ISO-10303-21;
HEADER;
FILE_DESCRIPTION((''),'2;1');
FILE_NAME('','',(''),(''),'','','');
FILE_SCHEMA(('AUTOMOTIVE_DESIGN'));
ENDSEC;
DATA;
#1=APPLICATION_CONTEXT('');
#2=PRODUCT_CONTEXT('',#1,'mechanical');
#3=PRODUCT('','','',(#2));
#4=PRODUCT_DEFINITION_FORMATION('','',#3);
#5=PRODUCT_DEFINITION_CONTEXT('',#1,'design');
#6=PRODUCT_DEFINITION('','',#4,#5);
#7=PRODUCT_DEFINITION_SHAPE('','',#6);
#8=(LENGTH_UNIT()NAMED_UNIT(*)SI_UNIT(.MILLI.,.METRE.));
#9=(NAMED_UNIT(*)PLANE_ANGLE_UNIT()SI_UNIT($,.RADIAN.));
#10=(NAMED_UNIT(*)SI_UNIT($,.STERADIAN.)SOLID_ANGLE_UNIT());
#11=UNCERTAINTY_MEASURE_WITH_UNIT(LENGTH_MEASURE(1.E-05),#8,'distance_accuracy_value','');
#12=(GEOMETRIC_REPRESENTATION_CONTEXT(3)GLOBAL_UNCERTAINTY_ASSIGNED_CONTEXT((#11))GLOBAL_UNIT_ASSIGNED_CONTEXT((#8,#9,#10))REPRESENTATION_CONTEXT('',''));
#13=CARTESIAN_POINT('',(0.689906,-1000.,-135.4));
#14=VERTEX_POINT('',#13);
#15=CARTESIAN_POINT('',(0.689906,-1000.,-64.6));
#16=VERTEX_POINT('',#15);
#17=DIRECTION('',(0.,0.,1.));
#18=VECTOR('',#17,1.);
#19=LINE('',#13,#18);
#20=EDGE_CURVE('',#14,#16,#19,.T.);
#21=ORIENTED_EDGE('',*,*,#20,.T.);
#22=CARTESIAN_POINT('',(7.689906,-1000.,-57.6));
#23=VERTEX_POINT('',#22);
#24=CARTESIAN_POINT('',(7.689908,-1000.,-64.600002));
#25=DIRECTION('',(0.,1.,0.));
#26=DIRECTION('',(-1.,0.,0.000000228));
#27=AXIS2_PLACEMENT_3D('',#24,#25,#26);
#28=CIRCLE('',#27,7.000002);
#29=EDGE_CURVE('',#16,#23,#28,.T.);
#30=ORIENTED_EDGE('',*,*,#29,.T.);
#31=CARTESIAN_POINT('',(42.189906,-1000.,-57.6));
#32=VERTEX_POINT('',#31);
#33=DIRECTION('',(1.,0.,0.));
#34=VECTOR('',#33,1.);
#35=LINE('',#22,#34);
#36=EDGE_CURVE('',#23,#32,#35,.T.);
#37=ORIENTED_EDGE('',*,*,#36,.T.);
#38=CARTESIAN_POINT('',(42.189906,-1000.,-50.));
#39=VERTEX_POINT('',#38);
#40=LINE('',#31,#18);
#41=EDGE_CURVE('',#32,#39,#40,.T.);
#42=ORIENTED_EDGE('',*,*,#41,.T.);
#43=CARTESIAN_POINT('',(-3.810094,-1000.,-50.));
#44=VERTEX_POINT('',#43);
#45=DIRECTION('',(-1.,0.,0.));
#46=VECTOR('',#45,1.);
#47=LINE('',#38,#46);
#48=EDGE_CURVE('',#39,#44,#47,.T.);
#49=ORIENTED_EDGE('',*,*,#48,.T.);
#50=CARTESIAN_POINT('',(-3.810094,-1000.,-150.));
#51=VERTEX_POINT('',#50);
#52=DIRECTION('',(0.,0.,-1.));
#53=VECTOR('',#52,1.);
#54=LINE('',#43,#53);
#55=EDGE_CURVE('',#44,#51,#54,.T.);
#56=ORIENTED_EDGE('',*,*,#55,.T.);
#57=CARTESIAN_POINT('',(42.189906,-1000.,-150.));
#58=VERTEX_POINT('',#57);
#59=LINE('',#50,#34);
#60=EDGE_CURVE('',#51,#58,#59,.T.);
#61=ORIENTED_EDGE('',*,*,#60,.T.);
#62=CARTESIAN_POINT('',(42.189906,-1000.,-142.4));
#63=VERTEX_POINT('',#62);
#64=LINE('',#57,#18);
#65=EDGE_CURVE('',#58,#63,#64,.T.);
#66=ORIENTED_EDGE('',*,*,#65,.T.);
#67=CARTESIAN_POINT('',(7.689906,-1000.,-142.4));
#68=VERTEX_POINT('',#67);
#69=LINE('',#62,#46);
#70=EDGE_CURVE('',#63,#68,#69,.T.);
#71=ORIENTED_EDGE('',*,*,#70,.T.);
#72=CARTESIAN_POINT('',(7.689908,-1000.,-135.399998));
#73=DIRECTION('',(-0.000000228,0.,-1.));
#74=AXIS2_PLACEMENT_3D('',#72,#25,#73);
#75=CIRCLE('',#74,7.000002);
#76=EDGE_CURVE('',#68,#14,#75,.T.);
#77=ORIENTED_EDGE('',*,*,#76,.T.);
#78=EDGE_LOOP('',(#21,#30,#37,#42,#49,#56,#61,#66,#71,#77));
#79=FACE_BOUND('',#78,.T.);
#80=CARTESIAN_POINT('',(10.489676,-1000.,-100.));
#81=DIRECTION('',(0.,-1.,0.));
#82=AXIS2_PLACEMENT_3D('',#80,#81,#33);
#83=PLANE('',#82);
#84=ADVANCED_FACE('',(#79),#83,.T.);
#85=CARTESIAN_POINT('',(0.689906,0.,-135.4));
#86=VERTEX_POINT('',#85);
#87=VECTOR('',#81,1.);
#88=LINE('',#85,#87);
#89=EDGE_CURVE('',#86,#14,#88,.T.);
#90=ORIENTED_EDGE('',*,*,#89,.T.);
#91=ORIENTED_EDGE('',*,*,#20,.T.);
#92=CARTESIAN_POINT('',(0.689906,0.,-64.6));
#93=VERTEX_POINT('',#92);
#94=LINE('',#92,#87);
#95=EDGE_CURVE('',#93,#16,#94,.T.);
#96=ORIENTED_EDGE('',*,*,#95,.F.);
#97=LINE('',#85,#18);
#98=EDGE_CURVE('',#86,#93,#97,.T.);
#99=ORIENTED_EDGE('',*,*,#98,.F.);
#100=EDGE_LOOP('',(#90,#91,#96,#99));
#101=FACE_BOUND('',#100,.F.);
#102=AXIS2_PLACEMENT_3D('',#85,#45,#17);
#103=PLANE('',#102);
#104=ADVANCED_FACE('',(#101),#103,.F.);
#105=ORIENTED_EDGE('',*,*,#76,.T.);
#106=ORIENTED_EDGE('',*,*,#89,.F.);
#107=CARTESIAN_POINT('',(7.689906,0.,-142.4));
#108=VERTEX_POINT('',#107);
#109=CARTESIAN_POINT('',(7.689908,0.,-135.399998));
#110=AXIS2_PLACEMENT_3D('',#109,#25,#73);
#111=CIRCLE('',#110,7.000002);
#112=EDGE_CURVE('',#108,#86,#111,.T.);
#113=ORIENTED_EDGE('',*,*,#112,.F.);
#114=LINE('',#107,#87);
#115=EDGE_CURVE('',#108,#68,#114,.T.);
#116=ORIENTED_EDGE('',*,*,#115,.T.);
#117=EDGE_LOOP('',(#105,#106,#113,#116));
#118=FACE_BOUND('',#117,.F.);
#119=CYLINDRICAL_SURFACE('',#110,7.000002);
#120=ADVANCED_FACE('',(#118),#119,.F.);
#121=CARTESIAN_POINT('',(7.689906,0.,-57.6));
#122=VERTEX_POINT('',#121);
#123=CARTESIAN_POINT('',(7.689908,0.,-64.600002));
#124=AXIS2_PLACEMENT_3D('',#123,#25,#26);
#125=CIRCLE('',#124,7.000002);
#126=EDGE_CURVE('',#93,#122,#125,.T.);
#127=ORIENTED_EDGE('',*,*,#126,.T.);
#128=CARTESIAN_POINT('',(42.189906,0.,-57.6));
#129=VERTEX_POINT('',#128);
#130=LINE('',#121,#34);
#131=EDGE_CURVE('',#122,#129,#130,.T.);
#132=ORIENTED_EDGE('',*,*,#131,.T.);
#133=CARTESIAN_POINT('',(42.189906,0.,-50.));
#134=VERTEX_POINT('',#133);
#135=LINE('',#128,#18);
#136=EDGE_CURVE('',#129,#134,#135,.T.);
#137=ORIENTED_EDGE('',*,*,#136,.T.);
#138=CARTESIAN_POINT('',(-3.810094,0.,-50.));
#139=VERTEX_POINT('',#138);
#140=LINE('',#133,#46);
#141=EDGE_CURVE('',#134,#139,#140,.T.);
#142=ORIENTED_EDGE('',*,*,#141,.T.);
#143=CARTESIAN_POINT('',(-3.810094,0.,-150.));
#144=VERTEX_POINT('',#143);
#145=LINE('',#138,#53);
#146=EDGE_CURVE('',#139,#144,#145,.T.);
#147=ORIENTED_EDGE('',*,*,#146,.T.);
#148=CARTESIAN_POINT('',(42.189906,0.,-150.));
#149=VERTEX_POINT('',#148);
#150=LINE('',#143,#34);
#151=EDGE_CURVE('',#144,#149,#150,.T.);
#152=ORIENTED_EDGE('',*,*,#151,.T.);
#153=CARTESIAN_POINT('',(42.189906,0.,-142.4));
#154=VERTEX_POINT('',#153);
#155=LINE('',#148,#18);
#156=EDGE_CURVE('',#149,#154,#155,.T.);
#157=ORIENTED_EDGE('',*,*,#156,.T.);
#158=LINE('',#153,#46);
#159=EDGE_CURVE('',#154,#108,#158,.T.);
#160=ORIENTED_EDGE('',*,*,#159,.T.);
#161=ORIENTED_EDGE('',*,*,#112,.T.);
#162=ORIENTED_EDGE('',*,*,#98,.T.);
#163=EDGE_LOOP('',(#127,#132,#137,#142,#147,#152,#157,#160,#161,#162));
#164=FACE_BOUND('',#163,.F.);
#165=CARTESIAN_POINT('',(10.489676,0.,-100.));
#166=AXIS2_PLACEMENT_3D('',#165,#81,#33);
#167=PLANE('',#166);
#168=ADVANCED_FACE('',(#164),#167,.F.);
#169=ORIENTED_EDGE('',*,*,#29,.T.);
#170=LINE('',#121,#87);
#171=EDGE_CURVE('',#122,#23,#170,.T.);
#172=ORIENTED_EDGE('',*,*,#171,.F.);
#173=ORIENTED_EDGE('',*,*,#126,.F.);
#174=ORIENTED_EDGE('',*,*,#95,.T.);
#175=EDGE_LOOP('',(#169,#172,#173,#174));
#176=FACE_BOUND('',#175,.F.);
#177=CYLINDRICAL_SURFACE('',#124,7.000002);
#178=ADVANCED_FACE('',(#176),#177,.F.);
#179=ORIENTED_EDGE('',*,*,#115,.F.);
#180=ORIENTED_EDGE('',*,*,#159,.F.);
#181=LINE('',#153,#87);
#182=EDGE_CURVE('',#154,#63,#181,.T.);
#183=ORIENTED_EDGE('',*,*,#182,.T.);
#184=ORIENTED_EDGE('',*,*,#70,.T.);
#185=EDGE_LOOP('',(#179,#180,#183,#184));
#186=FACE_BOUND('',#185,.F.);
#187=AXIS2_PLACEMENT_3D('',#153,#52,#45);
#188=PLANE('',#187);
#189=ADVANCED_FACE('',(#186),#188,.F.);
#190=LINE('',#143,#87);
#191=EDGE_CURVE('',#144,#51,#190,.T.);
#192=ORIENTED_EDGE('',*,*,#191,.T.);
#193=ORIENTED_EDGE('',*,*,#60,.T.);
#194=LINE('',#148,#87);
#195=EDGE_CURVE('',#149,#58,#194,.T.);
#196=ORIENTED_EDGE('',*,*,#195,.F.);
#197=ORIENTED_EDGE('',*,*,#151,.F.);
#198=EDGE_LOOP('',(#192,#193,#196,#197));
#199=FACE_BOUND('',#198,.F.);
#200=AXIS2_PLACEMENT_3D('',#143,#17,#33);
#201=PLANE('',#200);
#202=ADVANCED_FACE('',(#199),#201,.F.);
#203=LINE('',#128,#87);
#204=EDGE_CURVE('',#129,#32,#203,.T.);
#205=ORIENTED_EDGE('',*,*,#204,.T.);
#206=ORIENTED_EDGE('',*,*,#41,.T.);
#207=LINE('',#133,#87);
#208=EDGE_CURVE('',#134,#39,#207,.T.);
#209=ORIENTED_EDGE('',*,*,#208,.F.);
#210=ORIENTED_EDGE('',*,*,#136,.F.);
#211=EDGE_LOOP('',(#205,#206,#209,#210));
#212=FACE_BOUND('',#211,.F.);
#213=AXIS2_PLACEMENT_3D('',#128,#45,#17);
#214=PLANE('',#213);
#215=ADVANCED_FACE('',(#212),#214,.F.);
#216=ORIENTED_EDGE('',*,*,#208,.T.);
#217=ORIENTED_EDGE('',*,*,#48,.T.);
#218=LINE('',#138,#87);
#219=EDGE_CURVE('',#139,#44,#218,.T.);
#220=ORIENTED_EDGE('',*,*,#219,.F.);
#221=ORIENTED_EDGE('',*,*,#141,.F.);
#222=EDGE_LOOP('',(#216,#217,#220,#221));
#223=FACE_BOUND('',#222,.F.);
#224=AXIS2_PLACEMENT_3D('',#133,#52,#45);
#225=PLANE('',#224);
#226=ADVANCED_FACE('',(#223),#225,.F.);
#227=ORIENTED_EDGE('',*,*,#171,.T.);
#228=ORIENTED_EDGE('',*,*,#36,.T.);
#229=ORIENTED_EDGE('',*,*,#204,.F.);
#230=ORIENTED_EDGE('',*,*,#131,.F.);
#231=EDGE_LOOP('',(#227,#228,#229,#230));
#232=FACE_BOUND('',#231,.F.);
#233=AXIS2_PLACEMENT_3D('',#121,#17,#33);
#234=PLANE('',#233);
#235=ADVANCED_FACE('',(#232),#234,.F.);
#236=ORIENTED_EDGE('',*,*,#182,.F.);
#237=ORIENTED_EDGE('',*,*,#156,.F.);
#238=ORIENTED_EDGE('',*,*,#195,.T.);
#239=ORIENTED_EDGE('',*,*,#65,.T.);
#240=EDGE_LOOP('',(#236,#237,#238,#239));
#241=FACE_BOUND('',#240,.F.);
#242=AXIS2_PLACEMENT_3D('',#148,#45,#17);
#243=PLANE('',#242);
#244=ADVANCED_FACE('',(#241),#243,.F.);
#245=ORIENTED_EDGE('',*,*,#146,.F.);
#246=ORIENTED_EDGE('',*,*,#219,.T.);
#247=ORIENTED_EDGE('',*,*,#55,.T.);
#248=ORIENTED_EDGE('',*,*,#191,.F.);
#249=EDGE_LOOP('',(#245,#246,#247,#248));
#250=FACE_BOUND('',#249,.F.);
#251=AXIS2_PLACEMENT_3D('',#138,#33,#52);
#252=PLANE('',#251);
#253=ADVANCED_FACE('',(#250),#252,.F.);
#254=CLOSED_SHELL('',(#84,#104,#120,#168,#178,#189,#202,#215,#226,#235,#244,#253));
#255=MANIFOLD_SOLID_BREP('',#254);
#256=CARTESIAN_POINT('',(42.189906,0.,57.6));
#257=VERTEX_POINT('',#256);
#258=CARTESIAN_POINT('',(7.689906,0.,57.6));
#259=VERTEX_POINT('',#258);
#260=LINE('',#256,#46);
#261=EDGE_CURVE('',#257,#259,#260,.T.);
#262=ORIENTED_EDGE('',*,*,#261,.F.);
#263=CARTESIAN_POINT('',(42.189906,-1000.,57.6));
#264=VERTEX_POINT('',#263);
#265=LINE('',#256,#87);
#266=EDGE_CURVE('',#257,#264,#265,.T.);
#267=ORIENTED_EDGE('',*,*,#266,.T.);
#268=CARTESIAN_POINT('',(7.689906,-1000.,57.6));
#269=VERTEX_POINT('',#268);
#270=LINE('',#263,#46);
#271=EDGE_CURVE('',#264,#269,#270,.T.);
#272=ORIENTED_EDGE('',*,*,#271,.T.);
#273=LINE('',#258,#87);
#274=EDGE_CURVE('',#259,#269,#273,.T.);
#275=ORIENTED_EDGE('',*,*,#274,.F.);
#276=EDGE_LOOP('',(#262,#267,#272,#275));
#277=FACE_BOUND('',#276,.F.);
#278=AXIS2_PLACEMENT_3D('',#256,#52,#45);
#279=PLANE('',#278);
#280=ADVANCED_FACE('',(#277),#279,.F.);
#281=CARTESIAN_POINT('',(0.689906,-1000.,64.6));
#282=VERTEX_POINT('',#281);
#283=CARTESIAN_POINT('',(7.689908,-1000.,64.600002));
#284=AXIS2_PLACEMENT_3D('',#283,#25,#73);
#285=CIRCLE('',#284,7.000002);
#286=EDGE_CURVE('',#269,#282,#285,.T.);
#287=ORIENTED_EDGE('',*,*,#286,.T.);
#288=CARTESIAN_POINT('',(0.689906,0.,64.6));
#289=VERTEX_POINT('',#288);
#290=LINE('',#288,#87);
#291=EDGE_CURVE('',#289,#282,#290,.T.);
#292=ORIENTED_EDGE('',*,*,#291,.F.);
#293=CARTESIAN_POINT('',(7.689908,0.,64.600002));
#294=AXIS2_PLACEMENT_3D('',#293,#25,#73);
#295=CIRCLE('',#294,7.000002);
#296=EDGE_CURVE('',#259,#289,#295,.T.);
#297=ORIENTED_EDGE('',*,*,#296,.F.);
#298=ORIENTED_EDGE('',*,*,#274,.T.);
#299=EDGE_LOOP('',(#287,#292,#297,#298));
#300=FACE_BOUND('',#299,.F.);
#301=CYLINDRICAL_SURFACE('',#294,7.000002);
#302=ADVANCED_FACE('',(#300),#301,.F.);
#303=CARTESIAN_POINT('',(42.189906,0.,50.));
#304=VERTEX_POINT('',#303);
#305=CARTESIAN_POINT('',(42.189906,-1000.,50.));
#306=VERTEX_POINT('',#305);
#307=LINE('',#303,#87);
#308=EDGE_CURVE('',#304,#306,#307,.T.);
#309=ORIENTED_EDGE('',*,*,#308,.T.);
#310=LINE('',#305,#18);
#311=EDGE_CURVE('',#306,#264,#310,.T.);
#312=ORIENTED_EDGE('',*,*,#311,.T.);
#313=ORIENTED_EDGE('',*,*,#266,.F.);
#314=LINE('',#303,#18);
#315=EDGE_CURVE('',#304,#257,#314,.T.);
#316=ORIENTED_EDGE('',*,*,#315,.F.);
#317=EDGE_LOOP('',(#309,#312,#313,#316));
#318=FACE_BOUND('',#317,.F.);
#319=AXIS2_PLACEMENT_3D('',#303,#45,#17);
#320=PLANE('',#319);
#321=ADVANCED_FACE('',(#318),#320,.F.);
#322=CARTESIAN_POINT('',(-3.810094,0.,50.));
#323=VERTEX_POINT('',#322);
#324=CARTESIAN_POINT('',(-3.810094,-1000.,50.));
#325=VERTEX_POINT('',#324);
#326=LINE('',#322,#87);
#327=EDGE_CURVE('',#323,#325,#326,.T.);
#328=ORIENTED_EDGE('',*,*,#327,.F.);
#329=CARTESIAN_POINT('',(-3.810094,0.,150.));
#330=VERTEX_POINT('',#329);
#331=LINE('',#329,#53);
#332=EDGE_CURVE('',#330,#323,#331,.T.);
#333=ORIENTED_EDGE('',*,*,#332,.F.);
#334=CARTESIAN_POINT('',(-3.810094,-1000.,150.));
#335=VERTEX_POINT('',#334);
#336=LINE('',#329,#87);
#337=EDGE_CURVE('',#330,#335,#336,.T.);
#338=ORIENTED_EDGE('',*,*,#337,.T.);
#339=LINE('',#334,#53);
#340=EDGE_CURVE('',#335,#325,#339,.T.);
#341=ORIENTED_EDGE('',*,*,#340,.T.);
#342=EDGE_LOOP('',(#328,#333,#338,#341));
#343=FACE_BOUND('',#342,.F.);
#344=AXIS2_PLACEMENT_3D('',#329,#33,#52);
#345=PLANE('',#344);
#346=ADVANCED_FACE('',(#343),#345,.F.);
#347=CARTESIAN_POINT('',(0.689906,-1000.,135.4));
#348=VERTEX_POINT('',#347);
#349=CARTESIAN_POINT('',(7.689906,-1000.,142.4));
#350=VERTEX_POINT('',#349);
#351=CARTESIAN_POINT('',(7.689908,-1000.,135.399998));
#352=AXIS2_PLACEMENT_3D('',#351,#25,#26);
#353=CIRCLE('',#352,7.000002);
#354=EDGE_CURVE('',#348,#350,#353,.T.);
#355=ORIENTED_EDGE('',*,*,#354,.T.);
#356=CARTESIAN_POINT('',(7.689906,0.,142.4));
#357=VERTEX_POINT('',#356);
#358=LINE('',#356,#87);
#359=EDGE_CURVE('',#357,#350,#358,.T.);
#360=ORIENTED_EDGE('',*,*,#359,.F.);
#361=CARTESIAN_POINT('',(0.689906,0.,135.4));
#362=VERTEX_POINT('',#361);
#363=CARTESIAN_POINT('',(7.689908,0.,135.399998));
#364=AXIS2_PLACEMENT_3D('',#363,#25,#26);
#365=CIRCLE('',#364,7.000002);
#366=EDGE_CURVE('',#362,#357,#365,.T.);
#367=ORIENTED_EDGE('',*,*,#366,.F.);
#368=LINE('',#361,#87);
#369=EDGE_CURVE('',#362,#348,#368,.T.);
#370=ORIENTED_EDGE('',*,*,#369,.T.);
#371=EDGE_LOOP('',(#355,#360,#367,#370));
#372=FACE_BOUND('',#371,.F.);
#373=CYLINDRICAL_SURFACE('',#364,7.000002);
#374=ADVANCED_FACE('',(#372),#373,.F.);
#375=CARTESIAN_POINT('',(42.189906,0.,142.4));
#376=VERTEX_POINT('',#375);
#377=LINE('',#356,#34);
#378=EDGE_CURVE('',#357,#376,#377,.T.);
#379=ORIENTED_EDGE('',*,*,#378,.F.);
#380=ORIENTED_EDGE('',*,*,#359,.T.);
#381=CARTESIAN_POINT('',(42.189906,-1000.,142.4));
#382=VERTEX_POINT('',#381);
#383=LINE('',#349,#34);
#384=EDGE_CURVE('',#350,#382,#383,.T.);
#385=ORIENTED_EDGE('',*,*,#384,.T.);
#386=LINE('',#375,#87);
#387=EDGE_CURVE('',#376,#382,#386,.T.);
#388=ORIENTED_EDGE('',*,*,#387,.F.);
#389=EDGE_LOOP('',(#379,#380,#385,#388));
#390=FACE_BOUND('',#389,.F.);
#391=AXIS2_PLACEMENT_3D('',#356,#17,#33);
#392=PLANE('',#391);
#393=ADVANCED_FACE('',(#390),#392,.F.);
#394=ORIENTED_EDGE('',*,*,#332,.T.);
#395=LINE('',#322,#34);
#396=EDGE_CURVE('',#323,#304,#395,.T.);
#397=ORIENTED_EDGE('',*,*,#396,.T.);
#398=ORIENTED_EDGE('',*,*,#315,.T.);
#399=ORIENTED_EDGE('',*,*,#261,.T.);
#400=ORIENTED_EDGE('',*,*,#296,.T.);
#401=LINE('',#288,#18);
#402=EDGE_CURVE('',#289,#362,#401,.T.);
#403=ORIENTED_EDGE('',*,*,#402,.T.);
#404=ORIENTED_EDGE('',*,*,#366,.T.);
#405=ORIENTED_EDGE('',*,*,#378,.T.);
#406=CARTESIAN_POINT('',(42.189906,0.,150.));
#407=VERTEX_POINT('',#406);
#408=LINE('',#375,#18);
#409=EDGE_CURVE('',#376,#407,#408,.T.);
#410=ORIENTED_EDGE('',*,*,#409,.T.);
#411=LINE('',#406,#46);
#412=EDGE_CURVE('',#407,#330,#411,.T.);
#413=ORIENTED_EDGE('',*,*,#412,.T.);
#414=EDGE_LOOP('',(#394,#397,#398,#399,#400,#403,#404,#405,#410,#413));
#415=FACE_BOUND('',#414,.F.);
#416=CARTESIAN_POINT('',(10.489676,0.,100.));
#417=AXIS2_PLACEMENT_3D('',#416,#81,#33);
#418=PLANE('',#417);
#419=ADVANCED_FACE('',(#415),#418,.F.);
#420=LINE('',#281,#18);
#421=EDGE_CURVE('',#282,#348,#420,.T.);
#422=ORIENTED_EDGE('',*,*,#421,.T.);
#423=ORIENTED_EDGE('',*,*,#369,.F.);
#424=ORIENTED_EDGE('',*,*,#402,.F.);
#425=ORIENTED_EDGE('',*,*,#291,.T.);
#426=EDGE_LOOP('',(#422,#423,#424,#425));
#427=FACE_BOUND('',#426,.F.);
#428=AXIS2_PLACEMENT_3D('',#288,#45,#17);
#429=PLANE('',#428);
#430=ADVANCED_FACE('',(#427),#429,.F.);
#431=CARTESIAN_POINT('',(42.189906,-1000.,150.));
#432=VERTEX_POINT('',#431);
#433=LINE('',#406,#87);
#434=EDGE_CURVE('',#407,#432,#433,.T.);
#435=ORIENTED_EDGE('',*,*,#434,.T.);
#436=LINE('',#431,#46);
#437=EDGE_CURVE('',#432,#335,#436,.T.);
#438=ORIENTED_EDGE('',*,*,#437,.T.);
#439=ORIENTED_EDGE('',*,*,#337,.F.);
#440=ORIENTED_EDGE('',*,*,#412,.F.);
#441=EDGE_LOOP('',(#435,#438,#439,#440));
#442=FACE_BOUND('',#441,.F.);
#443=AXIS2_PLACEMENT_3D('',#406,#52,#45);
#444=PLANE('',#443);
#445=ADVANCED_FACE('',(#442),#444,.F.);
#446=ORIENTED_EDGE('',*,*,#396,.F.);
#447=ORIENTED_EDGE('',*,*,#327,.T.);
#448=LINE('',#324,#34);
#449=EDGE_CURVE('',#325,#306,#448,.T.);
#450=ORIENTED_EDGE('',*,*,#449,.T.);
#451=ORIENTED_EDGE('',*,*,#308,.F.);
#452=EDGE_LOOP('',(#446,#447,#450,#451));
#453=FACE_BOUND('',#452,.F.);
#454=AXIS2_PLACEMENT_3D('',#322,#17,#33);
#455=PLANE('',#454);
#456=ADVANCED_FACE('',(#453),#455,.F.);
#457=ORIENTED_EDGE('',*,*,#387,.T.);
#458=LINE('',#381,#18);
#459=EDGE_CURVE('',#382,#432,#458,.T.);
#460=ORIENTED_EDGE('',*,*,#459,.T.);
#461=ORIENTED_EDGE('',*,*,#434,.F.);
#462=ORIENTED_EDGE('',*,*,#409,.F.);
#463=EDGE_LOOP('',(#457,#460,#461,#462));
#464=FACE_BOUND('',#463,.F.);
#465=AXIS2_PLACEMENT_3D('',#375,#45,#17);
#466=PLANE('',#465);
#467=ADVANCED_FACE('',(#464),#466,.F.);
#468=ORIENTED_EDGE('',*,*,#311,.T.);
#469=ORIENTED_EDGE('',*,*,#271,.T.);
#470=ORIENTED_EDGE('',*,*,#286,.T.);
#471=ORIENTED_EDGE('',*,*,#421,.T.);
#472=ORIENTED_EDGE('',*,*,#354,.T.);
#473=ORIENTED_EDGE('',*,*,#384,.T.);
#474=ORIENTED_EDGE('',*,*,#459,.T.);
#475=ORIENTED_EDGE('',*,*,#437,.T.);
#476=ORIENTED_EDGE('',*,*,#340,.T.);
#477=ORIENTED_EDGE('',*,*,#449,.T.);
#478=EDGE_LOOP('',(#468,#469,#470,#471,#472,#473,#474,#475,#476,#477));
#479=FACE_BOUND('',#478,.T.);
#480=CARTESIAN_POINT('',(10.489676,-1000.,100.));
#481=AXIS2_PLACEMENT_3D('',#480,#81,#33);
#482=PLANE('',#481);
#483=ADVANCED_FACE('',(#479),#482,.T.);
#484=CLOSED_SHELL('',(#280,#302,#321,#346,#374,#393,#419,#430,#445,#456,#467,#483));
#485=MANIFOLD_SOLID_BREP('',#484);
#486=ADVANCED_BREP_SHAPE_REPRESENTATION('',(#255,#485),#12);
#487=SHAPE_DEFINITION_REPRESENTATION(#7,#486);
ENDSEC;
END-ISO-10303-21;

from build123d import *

# Parameters (mm, degrees)
F1_DEPTH = 1000


with BuildPart() as f1:
    # F0 (on Front) → F1 (new body)
    with BuildSketch(Plane.XZ):
        with BuildLine():
            Line((42.189906, -50), (-3.810094, -50))
            Line((-3.810094, -50), (-3.810094, -150))
            Line((-3.810094, -150), (42.189906, -150))
            Line((42.189906, -150), (42.189906, -142.4))
            Line((42.189906, -142.4), (7.689906, -142.4))
            ThreePointArc((7.689906, -142.4), (2.740159, -140.349747), (0.689906, -135.4))
            Line((0.689906, -135.4), (0.689906, -64.6))
            ThreePointArc((0.689906, -64.6), (2.740159, -59.650253), (7.689906, -57.6))
            Line((7.689906, -57.6), (42.189906, -57.6))
            Line((42.189906, -57.6), (42.189906, -50))
        make_face()
        with BuildLine():
            Line((0.689906, 64.6), (0.689906, 135.4))
            ThreePointArc((0.689906, 135.4), (2.740159, 140.349747), (7.689906, 142.4))
            Line((7.689906, 142.4), (42.189906, 142.4))
            Line((42.189906, 142.4), (42.189906, 150))
            Line((42.189906, 150), (-3.810094, 150))
            Line((-3.810094, 150), (-3.810094, 50))
            Line((-3.810094, 50), (42.189906, 50))
            Line((42.189906, 50), (42.189906, 57.6))
            Line((42.189906, 57.6), (7.689906, 57.6))
            ThreePointArc((7.689906, 57.6), (2.740159, 59.650253), (0.689906, 64.6))
        make_face()
    extrude(amount=F1_DEPTH)


solid = f1.part
